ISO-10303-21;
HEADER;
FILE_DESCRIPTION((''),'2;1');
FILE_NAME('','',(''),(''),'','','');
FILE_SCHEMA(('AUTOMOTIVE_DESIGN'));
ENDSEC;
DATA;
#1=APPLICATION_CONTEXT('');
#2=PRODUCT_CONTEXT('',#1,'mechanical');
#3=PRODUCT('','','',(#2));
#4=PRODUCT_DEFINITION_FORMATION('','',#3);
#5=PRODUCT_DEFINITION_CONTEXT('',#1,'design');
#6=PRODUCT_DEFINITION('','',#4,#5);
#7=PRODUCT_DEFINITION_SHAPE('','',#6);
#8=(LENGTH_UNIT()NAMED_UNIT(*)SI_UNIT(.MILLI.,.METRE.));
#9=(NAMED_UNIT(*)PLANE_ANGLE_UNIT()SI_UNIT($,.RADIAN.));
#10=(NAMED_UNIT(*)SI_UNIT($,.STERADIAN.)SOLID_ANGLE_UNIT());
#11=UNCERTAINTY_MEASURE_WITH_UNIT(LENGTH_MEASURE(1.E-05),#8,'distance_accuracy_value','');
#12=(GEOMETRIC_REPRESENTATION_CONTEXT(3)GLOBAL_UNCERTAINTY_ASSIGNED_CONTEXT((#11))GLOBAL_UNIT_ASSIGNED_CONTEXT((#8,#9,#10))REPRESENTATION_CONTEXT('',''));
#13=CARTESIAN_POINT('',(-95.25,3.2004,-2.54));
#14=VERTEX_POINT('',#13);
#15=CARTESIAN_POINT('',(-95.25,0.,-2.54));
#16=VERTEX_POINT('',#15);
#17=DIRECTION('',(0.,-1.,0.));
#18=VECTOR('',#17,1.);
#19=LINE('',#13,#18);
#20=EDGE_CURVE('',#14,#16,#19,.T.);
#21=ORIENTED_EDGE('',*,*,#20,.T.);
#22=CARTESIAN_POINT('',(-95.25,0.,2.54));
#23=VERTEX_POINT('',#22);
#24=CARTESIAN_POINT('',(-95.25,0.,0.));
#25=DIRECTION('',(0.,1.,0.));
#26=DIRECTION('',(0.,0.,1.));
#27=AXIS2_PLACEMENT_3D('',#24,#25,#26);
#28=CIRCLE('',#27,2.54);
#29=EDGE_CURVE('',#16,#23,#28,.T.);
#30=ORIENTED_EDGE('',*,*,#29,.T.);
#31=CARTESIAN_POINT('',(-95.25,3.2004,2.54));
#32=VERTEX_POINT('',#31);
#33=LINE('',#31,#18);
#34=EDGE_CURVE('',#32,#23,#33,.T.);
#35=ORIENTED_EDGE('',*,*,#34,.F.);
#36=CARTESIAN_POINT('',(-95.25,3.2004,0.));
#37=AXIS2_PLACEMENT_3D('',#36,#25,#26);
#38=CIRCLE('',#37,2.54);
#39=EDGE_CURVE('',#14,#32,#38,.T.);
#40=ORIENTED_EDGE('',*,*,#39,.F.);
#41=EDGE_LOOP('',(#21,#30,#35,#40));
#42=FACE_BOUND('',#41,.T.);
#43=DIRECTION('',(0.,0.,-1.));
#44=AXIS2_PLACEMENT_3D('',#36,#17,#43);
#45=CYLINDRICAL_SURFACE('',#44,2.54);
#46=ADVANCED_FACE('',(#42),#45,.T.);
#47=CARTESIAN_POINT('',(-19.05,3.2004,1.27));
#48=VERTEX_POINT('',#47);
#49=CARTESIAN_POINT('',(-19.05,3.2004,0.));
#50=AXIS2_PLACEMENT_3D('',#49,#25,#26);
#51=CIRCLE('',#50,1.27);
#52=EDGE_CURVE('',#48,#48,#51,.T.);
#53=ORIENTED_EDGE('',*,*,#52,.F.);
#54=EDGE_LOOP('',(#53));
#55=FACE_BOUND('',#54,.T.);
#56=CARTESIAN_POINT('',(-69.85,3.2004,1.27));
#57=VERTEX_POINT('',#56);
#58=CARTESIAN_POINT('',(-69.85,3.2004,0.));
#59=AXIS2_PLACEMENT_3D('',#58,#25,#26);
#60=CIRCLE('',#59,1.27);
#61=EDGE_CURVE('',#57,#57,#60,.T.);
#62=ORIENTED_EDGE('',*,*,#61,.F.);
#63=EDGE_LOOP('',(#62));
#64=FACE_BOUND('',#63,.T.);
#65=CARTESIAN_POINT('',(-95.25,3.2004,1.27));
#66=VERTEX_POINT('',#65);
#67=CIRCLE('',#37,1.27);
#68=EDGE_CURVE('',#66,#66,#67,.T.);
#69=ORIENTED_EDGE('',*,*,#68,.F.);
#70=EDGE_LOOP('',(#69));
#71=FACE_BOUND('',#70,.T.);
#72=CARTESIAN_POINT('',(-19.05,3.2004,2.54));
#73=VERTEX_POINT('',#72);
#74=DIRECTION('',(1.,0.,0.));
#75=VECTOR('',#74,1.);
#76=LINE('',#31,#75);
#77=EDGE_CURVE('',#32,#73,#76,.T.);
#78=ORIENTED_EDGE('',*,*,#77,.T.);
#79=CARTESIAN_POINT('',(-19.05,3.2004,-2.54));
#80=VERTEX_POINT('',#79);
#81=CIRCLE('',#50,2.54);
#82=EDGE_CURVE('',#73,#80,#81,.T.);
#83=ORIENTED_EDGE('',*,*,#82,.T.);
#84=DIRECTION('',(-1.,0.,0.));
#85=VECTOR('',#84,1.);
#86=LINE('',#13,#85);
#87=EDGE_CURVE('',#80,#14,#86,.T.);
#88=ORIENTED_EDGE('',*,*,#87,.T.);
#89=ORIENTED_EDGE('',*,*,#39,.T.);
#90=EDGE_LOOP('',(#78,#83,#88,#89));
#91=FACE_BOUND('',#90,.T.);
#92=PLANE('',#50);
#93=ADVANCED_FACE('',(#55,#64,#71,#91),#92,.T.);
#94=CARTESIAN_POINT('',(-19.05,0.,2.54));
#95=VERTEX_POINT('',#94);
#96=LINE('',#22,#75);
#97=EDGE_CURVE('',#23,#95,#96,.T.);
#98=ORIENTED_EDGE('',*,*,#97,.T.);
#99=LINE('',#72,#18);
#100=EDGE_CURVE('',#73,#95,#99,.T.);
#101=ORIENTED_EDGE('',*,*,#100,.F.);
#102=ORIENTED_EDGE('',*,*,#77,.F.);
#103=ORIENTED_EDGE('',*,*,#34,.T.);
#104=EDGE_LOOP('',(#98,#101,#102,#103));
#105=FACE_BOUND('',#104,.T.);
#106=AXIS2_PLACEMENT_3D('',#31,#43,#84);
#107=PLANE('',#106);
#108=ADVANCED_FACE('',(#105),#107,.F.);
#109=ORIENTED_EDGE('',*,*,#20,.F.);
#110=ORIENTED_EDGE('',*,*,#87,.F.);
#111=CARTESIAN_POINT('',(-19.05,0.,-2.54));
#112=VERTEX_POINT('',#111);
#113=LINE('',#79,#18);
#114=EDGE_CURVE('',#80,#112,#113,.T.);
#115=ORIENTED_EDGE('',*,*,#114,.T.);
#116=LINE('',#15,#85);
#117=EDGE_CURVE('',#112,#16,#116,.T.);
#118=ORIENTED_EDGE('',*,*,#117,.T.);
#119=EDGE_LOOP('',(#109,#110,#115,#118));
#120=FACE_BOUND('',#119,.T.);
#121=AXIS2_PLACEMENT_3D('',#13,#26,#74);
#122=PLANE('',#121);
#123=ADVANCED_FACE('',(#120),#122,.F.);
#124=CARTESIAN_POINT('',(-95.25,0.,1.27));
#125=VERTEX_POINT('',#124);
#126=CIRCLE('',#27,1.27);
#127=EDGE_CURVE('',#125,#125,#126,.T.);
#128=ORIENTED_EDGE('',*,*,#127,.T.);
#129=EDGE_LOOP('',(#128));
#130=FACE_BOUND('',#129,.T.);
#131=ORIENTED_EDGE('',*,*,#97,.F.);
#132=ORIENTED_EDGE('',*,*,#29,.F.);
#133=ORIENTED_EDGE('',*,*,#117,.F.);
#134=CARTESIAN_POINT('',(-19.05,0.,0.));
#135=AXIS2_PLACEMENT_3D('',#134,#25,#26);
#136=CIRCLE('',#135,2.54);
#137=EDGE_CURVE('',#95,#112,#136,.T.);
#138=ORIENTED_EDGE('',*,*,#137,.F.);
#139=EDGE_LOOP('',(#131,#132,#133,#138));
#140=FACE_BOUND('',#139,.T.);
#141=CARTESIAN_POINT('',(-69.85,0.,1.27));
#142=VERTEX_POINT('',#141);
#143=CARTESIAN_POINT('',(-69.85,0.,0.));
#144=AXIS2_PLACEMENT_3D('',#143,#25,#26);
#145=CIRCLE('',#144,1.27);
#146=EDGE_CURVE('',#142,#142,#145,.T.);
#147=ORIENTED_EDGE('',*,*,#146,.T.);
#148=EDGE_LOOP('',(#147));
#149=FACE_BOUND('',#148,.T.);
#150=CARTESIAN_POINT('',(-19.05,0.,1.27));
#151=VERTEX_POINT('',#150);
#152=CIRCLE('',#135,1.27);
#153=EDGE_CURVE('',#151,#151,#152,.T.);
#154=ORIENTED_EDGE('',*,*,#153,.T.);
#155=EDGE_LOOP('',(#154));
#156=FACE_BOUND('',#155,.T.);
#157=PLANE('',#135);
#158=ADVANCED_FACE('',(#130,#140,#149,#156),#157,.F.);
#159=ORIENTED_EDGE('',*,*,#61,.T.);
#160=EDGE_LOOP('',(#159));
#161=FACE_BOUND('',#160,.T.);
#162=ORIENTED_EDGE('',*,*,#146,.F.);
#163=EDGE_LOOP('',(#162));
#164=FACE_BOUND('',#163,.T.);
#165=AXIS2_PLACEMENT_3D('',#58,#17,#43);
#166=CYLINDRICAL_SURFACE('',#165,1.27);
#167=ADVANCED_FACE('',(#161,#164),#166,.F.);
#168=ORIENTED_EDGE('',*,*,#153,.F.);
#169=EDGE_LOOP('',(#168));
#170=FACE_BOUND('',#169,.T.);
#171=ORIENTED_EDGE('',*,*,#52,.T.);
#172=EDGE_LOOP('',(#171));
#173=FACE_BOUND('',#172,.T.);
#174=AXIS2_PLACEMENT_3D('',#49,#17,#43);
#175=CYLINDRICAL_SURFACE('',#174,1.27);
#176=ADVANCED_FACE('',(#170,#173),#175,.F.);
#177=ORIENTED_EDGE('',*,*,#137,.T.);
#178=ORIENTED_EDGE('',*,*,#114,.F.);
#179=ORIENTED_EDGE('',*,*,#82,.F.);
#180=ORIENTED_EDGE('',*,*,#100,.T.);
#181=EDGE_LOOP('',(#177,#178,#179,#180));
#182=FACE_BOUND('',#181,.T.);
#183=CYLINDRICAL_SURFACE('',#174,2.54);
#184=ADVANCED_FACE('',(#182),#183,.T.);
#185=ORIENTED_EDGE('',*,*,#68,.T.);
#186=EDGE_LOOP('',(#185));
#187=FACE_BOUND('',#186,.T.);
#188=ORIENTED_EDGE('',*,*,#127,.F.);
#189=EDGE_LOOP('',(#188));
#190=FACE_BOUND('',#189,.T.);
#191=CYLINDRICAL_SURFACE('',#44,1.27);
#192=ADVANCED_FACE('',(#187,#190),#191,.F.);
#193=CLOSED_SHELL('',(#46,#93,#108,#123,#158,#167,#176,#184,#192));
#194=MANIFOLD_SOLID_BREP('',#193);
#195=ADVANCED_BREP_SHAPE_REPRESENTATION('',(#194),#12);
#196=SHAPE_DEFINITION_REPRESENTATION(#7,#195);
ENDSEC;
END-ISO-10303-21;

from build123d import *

# Parameters (mm, degrees)
SKETCH1_R           = 1.27
BOSS_EXTRUDE1_DEPTH = 3.2004


with BuildPart() as part:
    # Sketch1 → Boss-Extrude1 (new body)
    with BuildSketch(Plane(origin=(0, 0, 0), x_dir=(1, 0, 0), z_dir=(0, 1, 0))):
        with BuildLine():
            Line((-95.25, -2.54), (-19.05, -2.54))
            ThreePointArc((-19.05, -2.54), (-16.51, 0), (-19.05, 2.54))
            Line((-19.05, 2.54), (-95.25, 2.54))
            ThreePointArc((-95.25, 2.54), (-97.79, 0), (-95.25, -2.54))
        make_face()
        with Locations(Location((-95.25, 0, 0), (0, 0, 270))):
            Circle(SKETCH1_R, mode=Mode.SUBTRACT)
        with Locations(Location((-19.05, 0, 0), (0, 0, 270))):
            Circle(SKETCH1_R, mode=Mode.SUBTRACT)
        with Locations(Location((-69.85, 0, 0), (0, 0, 270))):
            Circle(SKETCH1_R, mode=Mode.SUBTRACT)
    extrude(amount=BOSS_EXTRUDE1_DEPTH)


solid = part.part
